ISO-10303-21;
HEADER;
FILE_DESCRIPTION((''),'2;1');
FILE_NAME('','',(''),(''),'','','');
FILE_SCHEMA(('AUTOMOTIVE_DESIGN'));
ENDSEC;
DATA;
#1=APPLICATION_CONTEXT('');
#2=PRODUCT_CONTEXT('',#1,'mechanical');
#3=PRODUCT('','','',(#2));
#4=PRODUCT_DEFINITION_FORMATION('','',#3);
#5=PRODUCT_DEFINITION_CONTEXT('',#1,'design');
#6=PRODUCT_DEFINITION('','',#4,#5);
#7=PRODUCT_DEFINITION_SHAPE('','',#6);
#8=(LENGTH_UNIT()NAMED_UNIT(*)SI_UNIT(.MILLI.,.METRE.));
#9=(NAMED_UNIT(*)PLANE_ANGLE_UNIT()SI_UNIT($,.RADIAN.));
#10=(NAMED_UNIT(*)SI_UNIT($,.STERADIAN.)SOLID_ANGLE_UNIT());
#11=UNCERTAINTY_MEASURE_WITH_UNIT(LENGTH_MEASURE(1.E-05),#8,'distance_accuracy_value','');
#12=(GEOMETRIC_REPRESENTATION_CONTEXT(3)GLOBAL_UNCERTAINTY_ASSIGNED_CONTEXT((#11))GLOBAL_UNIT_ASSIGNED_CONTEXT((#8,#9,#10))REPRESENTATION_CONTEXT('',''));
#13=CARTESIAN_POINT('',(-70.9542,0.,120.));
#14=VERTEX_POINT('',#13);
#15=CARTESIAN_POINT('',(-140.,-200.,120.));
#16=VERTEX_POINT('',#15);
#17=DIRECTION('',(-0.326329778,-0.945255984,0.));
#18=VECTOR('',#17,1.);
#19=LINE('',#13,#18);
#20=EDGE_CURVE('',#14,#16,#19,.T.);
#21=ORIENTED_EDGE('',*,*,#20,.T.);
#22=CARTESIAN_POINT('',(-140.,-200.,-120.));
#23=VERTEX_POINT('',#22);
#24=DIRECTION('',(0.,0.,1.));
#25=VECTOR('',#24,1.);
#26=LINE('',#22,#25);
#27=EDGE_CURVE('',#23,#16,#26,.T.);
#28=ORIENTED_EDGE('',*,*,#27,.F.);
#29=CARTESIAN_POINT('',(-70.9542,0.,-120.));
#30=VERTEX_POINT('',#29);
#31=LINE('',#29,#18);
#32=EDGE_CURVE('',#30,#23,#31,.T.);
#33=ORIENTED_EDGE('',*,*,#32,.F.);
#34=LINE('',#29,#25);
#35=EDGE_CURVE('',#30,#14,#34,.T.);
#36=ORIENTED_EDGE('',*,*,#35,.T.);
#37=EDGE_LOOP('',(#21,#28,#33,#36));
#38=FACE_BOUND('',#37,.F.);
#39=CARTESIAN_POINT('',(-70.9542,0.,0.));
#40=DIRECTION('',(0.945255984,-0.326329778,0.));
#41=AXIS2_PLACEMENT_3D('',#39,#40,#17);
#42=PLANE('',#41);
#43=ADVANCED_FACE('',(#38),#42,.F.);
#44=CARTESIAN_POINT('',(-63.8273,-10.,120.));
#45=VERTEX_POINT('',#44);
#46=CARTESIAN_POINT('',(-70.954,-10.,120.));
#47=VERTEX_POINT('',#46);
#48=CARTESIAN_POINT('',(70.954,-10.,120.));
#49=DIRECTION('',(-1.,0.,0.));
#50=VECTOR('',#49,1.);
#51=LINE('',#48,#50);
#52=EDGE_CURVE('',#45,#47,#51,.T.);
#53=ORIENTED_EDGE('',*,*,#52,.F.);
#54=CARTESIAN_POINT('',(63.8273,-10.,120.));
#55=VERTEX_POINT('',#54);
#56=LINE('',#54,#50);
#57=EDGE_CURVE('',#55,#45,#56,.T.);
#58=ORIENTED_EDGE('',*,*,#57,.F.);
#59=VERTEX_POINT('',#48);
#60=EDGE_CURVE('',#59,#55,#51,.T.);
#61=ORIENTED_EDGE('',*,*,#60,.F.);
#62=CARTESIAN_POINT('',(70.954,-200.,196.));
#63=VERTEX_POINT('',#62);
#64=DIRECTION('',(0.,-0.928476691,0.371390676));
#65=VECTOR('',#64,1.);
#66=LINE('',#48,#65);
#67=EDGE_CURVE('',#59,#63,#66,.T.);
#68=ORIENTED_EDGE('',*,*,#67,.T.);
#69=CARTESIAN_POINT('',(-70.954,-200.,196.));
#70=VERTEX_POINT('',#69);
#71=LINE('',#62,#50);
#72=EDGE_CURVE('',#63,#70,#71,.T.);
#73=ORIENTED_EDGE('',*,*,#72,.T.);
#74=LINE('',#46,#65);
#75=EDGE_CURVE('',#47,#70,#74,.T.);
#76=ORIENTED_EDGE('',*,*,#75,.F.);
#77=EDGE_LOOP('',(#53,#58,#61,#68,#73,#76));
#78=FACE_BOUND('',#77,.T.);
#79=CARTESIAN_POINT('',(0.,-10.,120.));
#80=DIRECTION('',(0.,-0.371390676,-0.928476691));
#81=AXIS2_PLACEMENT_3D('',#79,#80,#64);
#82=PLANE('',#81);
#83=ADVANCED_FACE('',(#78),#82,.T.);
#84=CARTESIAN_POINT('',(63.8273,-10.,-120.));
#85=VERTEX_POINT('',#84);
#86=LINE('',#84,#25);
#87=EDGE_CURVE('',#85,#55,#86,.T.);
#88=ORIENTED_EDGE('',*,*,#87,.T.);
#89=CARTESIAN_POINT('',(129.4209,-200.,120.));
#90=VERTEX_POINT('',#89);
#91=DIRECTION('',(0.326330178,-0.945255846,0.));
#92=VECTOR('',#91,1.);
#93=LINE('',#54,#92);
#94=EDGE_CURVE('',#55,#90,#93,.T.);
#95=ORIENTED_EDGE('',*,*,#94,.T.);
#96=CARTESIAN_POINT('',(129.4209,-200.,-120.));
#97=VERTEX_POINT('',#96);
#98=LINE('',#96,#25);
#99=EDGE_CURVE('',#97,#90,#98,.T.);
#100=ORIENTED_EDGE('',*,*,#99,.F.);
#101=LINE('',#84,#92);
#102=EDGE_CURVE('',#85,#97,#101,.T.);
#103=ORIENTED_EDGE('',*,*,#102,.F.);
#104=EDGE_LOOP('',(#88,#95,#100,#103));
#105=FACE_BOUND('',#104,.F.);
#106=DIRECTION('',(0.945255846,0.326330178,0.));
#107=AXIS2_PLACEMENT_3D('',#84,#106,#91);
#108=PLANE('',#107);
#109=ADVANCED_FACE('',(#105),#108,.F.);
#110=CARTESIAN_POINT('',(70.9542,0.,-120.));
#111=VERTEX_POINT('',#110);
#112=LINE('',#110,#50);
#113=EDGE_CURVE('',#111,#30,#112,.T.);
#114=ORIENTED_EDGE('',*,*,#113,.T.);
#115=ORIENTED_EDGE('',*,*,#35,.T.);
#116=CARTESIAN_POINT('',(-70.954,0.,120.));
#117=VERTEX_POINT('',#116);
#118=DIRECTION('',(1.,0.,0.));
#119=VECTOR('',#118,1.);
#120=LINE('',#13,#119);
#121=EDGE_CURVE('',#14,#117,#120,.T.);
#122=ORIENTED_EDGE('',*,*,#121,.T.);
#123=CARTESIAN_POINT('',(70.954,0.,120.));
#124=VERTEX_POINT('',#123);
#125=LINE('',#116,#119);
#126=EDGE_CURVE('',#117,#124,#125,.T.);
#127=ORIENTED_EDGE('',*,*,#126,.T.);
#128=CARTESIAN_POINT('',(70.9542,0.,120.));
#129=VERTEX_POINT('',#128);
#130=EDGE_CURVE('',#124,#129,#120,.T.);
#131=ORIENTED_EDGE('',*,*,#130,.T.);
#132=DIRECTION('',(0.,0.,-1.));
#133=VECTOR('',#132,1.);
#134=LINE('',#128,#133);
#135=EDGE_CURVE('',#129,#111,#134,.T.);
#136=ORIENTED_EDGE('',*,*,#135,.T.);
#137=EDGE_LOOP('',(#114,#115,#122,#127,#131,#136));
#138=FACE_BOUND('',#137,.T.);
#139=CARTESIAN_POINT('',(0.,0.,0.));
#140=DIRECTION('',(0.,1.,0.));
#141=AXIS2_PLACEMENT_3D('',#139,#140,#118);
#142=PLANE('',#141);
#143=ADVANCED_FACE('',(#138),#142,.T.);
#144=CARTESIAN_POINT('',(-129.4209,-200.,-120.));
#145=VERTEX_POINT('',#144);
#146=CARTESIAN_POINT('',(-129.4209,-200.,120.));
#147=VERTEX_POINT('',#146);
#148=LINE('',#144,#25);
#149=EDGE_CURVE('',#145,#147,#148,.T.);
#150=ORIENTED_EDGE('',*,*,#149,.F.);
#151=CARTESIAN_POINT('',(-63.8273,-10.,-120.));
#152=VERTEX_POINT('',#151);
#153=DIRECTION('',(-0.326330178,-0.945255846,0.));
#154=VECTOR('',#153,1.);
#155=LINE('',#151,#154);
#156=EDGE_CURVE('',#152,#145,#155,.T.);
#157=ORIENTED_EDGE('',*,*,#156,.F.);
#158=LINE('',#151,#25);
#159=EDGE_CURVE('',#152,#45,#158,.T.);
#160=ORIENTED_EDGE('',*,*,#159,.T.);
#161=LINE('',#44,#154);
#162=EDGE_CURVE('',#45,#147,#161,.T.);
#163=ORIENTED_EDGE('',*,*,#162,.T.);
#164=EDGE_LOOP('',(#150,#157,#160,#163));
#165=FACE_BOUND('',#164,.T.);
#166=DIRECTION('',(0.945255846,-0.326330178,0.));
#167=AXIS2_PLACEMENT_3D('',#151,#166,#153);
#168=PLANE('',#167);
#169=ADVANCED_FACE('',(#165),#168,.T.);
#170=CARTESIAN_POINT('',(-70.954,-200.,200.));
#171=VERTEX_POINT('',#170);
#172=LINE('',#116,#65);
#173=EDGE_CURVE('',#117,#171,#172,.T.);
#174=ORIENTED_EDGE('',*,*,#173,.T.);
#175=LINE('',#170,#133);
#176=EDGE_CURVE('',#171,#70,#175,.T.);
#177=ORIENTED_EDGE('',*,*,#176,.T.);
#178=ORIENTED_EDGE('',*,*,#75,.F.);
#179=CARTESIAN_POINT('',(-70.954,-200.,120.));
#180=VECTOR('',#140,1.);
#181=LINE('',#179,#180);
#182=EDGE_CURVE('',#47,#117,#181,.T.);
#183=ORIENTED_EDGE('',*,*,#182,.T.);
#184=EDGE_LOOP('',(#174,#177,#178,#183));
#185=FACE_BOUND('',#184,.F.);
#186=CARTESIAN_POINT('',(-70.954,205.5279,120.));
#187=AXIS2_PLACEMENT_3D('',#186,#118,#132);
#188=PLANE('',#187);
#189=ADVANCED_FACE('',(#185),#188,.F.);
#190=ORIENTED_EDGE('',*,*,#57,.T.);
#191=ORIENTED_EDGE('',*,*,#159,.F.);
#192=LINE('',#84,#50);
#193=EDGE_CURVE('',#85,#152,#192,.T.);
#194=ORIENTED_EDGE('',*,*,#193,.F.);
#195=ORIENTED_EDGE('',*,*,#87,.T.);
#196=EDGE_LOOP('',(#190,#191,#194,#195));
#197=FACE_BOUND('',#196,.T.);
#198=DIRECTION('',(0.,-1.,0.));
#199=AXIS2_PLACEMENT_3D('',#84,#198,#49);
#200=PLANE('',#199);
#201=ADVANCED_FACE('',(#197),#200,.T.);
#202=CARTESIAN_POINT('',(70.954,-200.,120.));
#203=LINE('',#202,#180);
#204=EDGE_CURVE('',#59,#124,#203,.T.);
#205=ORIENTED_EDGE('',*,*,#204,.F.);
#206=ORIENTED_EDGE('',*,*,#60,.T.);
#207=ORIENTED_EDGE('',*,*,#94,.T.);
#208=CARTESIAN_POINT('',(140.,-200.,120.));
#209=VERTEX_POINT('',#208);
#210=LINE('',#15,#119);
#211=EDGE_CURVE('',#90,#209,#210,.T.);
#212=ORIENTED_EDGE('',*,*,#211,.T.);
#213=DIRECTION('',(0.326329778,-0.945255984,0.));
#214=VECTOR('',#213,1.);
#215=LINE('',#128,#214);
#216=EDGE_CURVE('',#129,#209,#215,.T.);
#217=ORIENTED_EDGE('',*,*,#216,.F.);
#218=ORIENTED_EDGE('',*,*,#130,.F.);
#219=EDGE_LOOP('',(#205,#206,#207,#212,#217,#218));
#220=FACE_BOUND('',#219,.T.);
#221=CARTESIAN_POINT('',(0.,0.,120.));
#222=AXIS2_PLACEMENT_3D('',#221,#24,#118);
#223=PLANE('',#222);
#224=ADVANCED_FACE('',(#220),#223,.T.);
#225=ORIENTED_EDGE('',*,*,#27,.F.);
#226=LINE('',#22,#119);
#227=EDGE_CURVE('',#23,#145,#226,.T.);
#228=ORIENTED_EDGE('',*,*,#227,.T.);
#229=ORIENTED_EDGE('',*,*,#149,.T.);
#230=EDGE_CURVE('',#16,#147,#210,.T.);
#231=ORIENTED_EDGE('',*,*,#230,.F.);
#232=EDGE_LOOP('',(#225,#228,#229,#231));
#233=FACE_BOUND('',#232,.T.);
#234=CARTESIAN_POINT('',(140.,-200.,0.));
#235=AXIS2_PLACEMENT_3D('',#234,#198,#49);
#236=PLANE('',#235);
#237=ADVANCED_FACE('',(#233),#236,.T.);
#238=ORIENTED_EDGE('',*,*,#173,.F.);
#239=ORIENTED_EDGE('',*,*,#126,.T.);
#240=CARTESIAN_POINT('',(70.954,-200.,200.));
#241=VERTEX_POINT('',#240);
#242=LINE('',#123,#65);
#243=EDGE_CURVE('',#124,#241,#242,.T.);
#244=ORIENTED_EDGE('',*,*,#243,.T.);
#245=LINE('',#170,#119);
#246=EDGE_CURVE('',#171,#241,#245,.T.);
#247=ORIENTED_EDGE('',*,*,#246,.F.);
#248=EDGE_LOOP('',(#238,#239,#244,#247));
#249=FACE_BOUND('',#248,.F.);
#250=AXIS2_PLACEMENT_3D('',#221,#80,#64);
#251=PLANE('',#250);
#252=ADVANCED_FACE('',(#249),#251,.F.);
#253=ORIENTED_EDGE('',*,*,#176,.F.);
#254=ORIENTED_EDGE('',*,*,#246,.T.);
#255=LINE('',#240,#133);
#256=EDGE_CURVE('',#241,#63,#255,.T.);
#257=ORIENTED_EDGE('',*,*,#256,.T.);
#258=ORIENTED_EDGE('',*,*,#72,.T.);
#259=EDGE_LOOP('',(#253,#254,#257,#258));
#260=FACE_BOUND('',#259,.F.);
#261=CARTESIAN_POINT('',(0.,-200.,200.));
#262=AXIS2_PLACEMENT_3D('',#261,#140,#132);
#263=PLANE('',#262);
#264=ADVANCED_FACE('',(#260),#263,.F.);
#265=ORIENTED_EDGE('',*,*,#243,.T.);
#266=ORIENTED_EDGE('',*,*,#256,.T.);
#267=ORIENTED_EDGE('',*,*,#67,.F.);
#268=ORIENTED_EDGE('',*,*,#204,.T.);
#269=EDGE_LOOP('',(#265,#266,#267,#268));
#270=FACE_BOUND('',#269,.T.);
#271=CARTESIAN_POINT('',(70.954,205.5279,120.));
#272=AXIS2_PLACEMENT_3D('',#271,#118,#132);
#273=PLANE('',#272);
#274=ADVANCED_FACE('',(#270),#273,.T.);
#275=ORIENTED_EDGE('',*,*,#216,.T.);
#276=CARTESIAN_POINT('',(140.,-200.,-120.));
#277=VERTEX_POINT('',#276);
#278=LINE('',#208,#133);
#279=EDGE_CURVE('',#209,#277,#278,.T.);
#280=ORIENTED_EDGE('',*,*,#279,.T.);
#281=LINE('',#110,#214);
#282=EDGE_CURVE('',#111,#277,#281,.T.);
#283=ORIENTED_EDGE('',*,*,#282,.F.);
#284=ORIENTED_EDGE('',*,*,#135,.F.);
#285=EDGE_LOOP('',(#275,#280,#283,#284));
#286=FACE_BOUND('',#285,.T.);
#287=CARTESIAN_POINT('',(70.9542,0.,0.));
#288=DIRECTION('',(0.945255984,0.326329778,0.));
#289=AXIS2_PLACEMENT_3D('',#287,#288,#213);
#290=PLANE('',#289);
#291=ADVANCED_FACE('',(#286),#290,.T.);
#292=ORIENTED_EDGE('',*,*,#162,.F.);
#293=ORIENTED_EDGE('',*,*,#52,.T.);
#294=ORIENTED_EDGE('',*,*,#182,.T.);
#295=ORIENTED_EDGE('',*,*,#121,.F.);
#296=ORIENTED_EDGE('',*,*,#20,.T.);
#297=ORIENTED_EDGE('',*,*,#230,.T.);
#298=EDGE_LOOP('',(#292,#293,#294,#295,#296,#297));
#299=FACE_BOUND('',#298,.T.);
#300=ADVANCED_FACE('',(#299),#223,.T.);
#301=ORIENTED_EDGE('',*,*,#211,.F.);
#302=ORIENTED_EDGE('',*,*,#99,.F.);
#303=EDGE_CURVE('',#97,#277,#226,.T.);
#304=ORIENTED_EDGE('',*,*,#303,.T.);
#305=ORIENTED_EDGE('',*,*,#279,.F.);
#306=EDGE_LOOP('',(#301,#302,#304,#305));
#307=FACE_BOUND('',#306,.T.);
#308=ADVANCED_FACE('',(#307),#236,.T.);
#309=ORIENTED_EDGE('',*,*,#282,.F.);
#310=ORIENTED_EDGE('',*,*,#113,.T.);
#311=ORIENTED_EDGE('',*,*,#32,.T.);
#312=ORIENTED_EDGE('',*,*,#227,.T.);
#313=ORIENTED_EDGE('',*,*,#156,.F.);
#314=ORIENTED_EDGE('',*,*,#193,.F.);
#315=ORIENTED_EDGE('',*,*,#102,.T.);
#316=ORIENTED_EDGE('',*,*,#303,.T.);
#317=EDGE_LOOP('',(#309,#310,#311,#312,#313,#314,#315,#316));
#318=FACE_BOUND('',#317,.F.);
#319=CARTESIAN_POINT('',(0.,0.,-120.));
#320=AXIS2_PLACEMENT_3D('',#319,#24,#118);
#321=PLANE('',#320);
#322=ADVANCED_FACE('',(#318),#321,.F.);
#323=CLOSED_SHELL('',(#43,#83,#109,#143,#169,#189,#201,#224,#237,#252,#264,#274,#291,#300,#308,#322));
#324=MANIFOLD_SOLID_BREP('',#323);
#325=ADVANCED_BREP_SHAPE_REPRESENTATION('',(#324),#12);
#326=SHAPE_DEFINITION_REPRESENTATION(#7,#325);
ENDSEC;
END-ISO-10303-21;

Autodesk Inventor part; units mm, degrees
ref_plane "YZ Plane" through (0, 0, 0) normal (1, 0, 0) x (0, 1, 0)
ref_plane "XZ Plane" through (0, 0, 0) normal (0, 1, 0) x (-1, 0, 0)
sketch "Boceto1" plane through (0, 0, 0) normal (0, 0, 1) x (1, 0, 0)
  line L0 (0, 0) -> (70.9542, 0)
  line L1 (70.9542, 0) -> (140, -200)
  line L2 (140, -200) -> (0, -200)
  line L3 (0, -200) -> (0, 0) construction
  line L4 (0, 0) -> (-70.9542, 0)
  line L5 (-70.9542, 0) -> (-140, -200)
  line L6 (-140, -200) -> (0, -200)
  dimension "d0" = 280
  dimension "d1" = 200
extrude "Extrusión1" add sketch "Boceto1" along normal mid plane 240
sketch "Boceto2" plane through (0, 0, -120) normal (0, 0, -1) x (-1, 0, 0)
  line L0 (-63.8273, -10) -> (63.8273, -10)
  line L1 (140, -200) -> (-140, -200) projected
  line L2 (-63.8273, -10) -> (-129.4209, -200)
  line L3 (63.8273, -10) -> (129.4209, -200)
  line L4 (70.9542, 0) -> (-70.9542, 0) projected
  line L5 (140, -200) -> (70.9542, 0) projected
  line L6 (-70.9542, 0) -> (-140, -200) projected
  point P0 (0, 0)
  dimension "d4" = 10
  dimension "d7" = 10
  dimension "d8" = 10
extrude "Extrusión2" cut sketch "Boceto2" against normal blind 240 contours L0 L3 L1 L2
ref_plane "Plano de trabajo2" through (0, 205.5279, 120) normal (1, 0, 0) x (0, 0, -1)
sketch "Boceto4" plane through (0, 205.5279, 120) normal (1, 0, 0) x (0, 0, -1)
  line L0 (240, -205.5279) -> (0, -205.5279) projected
  line L1 (0, -205.5279) -> (-80, -405.5279)
  line L2 (-80, -405.5279) -> (-76, -405.5279)
  line L3 (0, -405.5279) -> (0, -205.5279)
  line L4 (0, -215.5279) -> (-76, -405.5279)
  line L5 (0, -215.5279) -> (0, -205.5279)
  line L6 (240, -215.5279) -> (0, -215.5279) projected
  line L7 (0, -215.5279) -> (0, -205.5279)
  line L8 (-80, -405.5279) -> (0, -405.5279) construction
  point P0 (120, -205.5279)
  dimension "d11" = 80
  dimension "d14" = 200
extrude "Extrusión3" add sketch "Boceto4" along normal mid plane 141.908
properties part number "chasis"
